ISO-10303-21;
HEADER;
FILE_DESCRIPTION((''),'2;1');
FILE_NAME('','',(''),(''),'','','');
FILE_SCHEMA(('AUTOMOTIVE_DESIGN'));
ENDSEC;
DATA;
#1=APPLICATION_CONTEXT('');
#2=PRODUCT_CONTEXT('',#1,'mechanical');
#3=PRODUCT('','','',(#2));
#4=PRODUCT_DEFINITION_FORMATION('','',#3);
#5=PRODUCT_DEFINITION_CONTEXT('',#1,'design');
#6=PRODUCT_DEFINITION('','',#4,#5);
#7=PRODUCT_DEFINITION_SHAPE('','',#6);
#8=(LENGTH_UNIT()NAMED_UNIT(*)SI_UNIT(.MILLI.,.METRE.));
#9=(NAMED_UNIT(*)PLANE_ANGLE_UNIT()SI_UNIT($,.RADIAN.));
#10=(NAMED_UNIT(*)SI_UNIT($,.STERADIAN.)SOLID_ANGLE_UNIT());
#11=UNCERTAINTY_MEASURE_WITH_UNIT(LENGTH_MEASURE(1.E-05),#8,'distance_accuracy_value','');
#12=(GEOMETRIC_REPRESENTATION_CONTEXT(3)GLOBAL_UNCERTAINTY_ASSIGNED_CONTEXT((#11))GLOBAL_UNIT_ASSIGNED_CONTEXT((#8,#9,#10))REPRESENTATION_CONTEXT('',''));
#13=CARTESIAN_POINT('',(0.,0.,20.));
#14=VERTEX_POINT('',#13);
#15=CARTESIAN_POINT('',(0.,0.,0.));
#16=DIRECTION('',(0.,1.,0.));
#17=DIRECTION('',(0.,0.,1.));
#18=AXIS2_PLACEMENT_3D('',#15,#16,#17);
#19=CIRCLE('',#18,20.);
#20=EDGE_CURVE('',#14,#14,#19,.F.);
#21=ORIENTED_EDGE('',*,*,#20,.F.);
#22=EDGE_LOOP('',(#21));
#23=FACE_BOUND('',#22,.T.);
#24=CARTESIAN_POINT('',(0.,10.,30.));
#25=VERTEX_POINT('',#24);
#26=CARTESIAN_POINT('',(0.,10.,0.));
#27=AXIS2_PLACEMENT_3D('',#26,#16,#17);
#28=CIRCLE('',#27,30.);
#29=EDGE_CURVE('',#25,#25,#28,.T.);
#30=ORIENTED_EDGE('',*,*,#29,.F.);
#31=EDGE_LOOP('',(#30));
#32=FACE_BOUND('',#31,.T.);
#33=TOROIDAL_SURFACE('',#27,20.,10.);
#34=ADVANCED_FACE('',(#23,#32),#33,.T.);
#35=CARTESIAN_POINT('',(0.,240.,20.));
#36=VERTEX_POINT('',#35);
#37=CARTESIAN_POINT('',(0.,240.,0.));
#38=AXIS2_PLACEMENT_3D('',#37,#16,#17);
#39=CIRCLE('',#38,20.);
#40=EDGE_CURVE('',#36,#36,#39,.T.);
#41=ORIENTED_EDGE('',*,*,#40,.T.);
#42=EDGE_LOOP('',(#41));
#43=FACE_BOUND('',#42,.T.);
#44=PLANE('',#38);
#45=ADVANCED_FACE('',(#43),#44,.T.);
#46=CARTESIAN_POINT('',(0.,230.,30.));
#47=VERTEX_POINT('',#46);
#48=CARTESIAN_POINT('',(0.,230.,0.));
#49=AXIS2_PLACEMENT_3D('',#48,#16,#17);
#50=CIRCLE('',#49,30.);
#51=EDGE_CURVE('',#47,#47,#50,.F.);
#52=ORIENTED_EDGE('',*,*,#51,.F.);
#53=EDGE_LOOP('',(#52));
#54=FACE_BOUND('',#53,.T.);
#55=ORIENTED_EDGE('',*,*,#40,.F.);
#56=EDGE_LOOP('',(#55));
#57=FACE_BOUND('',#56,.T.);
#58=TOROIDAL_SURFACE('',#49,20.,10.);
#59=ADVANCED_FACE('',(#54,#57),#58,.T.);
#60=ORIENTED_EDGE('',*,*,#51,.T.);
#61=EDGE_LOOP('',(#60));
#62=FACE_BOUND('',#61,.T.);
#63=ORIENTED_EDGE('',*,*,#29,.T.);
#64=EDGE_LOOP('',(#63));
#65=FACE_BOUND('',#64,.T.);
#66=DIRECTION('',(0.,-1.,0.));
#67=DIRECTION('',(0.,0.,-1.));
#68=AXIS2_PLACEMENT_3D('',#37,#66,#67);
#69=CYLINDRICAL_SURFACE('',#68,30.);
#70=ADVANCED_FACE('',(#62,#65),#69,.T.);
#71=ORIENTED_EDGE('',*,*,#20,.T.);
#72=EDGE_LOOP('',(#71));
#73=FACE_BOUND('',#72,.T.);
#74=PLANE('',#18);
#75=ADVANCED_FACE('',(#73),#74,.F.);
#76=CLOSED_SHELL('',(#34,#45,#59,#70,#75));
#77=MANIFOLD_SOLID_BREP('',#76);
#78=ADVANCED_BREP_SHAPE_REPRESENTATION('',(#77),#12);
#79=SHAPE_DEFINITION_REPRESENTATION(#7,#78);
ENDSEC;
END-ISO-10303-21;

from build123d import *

# Parameters (mm, degrees)
SKETCH1_R           = 30
BOSS_EXTRUDE1_DEPTH = 240
FILLET1_R           = 10


with BuildPart() as part:
    # Sketch1 → Boss-Extrude1 (new body)
    with BuildSketch(Plane(origin=(0, 0, 0), x_dir=(1, 0, 0), z_dir=(0, 1, 0))):
        Circle(SKETCH1_R)
    extrude(amount=BOSS_EXTRUDE1_DEPTH)

    # Fillet1
    fillet1_edges = [part.edges().sort_by_distance(p)[0] for p in [
        (-30, 0, 0),
        (-30, 240, 0),
    ]]
    fillet(fillet1_edges, radius=FILLET1_R)


solid = part.part
